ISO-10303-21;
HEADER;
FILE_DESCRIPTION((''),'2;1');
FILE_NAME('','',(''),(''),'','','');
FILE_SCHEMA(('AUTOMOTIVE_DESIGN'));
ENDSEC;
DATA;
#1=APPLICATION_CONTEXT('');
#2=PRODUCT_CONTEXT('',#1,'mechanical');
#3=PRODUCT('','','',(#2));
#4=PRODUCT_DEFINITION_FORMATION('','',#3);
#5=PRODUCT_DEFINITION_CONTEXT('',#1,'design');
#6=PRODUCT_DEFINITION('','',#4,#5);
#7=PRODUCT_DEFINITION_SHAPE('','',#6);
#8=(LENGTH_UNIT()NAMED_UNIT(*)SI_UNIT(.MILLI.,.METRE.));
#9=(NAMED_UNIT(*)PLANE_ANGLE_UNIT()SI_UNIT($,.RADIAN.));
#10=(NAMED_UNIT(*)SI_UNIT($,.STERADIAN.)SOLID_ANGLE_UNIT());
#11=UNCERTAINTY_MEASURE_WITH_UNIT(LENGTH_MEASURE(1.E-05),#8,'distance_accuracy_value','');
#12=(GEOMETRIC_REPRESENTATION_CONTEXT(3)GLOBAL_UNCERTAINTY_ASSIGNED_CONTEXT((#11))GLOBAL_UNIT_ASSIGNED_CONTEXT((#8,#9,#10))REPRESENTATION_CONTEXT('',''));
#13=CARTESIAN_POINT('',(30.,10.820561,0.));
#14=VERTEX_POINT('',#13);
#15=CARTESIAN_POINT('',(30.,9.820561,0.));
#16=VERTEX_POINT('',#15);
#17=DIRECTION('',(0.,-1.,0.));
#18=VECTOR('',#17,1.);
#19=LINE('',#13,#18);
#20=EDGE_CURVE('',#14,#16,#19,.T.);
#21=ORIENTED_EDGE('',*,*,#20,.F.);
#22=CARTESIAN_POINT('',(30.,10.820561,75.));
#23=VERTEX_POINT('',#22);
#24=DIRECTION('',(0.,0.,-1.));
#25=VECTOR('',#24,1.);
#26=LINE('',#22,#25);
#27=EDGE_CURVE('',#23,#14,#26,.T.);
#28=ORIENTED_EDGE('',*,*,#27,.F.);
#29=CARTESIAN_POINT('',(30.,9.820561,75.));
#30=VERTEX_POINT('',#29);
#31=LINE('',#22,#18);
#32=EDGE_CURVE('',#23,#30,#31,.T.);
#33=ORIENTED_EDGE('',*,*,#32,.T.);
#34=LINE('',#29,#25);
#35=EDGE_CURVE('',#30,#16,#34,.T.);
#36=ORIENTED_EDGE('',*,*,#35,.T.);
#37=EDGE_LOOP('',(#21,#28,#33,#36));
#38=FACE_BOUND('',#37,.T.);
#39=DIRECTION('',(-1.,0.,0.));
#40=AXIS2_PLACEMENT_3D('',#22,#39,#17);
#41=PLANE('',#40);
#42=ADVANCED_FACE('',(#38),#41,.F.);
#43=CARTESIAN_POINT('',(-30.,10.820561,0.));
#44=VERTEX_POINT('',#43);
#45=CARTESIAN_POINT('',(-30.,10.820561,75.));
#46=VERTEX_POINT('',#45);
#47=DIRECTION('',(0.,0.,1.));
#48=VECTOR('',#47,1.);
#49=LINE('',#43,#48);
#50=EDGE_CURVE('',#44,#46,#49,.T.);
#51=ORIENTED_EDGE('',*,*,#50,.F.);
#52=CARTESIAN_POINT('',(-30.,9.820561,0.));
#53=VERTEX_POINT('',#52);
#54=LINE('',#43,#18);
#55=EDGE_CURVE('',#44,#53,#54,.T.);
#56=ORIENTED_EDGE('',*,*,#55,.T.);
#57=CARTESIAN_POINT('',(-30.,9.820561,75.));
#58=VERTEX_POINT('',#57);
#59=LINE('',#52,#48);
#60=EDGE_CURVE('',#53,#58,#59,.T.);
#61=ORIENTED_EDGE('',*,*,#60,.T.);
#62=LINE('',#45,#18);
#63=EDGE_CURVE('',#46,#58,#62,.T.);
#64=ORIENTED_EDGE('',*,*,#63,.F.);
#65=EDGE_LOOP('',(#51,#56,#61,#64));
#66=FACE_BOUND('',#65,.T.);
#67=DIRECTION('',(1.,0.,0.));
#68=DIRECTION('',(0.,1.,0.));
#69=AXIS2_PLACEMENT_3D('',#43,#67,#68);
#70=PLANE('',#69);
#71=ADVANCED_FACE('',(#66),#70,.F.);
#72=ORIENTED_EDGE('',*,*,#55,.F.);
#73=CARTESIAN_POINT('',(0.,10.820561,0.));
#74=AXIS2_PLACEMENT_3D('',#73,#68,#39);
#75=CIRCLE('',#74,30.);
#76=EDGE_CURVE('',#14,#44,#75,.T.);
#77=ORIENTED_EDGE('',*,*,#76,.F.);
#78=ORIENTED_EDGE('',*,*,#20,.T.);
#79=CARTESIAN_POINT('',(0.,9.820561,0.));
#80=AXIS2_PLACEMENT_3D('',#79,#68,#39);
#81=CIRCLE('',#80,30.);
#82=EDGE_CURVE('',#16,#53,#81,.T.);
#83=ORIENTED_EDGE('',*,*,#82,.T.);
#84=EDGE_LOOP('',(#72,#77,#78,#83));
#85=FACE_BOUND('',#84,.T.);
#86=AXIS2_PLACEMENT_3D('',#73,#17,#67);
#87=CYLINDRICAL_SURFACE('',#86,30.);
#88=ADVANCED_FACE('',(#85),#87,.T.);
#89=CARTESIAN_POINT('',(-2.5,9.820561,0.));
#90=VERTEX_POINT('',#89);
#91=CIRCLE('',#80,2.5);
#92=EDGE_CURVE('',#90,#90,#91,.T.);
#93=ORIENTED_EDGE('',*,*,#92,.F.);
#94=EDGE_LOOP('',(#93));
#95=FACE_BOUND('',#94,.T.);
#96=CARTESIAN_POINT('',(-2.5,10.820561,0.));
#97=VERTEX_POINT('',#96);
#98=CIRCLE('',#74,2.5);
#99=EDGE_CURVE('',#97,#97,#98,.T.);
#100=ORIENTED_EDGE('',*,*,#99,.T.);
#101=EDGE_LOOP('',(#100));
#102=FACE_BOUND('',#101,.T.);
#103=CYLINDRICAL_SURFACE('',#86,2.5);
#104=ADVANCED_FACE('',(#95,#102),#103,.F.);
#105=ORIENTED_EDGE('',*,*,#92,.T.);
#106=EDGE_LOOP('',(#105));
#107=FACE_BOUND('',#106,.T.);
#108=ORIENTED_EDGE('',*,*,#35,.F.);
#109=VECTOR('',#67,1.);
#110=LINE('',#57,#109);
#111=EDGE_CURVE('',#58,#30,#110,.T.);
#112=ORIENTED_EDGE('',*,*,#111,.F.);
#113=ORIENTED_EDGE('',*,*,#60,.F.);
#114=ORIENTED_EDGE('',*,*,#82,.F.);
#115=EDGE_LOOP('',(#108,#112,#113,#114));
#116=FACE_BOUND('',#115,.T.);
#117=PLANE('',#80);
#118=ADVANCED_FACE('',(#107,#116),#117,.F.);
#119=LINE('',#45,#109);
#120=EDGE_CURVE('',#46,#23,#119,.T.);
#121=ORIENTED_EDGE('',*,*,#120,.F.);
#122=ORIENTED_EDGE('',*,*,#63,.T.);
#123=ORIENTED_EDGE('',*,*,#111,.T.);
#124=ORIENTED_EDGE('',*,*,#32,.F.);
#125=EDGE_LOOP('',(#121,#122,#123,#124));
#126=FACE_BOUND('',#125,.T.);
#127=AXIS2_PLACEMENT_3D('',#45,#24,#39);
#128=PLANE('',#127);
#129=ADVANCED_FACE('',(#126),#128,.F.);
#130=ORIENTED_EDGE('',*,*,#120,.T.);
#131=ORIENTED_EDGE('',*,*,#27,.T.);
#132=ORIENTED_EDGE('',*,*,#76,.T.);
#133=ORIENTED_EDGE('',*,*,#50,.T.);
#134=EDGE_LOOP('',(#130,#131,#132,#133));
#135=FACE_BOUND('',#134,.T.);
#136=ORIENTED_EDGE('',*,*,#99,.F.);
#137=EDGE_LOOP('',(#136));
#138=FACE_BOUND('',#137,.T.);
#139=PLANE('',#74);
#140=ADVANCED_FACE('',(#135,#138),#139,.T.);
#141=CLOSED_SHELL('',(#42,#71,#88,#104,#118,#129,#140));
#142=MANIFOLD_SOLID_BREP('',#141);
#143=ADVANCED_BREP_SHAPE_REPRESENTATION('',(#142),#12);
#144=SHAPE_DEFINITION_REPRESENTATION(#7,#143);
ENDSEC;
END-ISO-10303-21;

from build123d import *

# Parameters (mm, degrees)
SCHIZZO1_R                   = 2.5
ESTRUSIONE_ESTRUSIONE1_DEPTH = 1


with BuildPart() as part:
    # Schizzo1 → Estrusione-Estrusione1 (new body)
    with BuildSketch(Plane(origin=(0, 9.820560966, 0), x_dir=(1, 0, 0), z_dir=(0, 1, 0))):
        with BuildLine():
            Line((-30, 0), (-30, -75))
            Line((-30, -75), (30, -75))
            Line((30, -75), (30, 0))
            ThreePointArc((30, 0), (0, 30), (-30, 0))
        make_face()
        with Locations(Location((0, 0, 0), (0, 0, 180))):
            Circle(SCHIZZO1_R, mode=Mode.SUBTRACT)
    extrude(amount=ESTRUSIONE_ESTRUSIONE1_DEPTH)


solid = part.part
